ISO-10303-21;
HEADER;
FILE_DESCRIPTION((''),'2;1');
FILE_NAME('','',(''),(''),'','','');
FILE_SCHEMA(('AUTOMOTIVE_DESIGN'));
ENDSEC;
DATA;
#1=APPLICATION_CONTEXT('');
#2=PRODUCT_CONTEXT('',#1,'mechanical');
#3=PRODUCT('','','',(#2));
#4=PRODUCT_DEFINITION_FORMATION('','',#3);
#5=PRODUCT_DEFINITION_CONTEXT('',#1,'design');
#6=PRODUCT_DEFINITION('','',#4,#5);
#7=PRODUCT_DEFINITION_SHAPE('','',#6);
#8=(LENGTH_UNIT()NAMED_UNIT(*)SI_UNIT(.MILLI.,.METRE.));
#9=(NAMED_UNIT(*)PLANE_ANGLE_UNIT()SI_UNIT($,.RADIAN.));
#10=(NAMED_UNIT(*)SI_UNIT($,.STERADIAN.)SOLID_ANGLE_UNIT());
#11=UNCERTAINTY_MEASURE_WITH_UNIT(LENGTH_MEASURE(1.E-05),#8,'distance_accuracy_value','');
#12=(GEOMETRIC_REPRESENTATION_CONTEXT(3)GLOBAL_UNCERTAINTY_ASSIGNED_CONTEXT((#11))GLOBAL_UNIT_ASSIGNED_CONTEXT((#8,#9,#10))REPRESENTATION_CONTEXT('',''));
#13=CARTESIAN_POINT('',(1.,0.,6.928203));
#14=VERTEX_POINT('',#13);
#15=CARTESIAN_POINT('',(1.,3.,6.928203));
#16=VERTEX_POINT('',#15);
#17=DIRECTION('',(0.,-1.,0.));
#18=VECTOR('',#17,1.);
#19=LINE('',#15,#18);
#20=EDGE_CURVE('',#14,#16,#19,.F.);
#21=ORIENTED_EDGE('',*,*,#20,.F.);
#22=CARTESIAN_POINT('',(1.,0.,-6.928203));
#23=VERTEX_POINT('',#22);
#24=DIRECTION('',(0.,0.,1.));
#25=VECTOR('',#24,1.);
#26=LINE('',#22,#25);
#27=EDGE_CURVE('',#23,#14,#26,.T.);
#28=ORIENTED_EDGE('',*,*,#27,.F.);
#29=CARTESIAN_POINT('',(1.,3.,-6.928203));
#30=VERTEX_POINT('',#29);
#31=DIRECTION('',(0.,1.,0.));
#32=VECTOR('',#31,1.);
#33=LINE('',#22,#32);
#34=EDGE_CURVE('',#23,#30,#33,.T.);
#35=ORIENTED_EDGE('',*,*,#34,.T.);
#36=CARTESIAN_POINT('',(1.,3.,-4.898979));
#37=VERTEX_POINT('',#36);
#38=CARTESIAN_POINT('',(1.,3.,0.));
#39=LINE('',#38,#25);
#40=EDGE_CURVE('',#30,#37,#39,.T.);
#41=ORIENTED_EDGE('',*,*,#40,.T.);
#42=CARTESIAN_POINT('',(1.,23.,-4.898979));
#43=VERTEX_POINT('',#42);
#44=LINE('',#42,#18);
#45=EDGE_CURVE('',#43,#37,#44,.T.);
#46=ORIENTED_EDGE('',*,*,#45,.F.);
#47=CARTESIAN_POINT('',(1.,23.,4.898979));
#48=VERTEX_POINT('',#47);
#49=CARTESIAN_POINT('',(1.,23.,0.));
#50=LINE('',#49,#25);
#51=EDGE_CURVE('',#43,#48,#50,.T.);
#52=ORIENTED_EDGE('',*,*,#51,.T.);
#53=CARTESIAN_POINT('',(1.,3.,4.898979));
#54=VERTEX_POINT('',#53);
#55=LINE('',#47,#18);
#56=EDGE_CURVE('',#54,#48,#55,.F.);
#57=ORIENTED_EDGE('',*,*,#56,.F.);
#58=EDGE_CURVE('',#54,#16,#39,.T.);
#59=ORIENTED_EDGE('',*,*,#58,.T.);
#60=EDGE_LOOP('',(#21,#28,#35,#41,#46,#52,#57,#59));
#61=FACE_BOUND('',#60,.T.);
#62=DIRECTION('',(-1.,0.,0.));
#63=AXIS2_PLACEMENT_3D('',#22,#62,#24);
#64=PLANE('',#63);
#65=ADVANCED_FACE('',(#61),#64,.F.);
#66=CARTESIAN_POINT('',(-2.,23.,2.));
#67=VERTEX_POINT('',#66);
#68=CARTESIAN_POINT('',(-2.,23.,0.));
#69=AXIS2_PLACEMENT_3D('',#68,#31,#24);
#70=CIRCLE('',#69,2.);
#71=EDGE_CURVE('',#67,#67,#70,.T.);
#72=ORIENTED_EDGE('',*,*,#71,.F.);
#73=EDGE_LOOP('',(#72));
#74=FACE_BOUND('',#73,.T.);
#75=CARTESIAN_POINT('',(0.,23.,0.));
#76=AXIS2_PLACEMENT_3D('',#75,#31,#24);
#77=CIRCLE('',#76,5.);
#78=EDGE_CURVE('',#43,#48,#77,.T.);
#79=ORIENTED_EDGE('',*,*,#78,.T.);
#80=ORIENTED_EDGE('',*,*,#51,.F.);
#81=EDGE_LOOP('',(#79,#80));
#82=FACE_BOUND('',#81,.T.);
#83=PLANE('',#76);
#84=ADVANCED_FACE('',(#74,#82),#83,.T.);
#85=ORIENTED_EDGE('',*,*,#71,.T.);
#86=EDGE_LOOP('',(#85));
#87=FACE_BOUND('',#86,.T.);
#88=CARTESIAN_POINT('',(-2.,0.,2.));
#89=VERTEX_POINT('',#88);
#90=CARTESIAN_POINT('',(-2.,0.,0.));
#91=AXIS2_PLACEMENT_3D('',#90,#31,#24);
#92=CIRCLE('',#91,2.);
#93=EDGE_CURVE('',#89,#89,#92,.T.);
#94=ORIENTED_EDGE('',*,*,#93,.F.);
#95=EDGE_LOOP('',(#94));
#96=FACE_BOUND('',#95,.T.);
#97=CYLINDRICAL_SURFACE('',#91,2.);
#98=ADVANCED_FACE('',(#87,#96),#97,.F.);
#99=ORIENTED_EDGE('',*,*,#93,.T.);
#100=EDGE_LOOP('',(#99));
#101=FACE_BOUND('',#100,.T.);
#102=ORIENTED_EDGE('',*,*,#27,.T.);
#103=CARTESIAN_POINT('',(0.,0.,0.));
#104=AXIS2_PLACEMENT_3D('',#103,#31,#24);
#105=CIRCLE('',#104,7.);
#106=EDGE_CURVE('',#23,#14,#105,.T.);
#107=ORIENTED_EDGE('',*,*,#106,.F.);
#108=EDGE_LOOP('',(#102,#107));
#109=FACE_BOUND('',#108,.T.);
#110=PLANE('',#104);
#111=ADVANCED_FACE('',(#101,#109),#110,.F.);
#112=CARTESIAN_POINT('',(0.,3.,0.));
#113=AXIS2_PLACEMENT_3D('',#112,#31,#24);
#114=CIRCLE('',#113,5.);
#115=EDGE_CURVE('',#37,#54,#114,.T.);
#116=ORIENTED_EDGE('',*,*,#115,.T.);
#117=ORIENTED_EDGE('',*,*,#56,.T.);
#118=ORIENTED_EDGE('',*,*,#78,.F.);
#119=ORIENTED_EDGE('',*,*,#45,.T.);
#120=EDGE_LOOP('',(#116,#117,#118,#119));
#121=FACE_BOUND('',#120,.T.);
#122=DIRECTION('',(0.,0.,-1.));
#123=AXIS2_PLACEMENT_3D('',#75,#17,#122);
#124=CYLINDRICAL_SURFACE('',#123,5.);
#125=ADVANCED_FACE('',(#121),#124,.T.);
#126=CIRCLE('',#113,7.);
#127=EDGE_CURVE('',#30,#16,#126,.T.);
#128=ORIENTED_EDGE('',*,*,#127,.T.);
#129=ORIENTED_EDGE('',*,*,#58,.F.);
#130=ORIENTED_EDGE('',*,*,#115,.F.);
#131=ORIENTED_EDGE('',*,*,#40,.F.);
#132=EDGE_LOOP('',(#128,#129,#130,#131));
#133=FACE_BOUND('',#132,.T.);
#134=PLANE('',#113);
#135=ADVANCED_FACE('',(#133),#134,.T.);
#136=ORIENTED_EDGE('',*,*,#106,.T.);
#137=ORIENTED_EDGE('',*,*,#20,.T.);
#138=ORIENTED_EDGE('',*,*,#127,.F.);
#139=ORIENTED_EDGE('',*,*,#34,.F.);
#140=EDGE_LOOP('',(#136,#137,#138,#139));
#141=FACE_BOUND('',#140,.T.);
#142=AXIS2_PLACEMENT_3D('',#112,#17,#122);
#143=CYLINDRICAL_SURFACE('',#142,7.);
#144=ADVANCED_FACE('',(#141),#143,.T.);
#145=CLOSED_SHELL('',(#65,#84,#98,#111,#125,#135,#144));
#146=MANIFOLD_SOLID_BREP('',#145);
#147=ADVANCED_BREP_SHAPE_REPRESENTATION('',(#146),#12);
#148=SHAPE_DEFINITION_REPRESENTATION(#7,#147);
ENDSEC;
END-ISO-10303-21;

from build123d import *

# Parameters (mm, degrees)
SKETCH_1_R          = 7
EXTRUDE_1_DEPTH     = 3
SKETCH_2_R          = 5
EXTRUDE_2_DEPTH     = 20
SKETCH_3_R          = 2
CUT_EXTRUDE_1_DEPTH = 26.039968051
SKETCH_4_W          = 8.616079813
SKETCH_4_H          = 14.040723598
CUT_EXTRUDE_2_DEPTH = 26.039968051


with BuildPart() as part:
    # 草图1 → 凸台-拉伸1 (new body)
    with BuildSketch(Plane(origin=(0, 0, 0), x_dir=(1, 0, 0), z_dir=(0, 1, 0))):
        with Locations(Location((0, 0, 0), (0, 0, 270))):
            Circle(SKETCH_1_R)
    extrude(amount=EXTRUDE_1_DEPTH)

    # 草图2 → 凸台-拉伸2 (add)
    with BuildSketch(Plane(origin=(0, 3, 0), x_dir=(1, 0, 0), z_dir=(0, 1, 0))):
        with Locations(Location((0, 0, 0), (0, 0, 270))):
            Circle(SKETCH_2_R)
    extrude(amount=EXTRUDE_2_DEPTH)

    # 草图3 → 切除-拉伸1 (cut, through all)
    with BuildSketch(Plane(origin=(0, 23, 0), x_dir=(1, 0, 0), z_dir=(0, 1, 0))):
        with Locations(Location((-2, 0, 0), (0, 0, 270))):
            Circle(SKETCH_3_R)
    extrude(amount=-CUT_EXTRUDE_1_DEPTH, mode=Mode.SUBTRACT)

    # 草图4 → 切除-拉伸2 (cut, through all)
    with BuildSketch(Plane(origin=(0, 23, 0), x_dir=(1, 0, 0), z_dir=(0, 1, 0))):
        with Locations((5.308039907, -0.092158569)):
            Rectangle(SKETCH_4_W, SKETCH_4_H)
    extrude(amount=-CUT_EXTRUDE_2_DEPTH, mode=Mode.SUBTRACT)


solid = part.part
